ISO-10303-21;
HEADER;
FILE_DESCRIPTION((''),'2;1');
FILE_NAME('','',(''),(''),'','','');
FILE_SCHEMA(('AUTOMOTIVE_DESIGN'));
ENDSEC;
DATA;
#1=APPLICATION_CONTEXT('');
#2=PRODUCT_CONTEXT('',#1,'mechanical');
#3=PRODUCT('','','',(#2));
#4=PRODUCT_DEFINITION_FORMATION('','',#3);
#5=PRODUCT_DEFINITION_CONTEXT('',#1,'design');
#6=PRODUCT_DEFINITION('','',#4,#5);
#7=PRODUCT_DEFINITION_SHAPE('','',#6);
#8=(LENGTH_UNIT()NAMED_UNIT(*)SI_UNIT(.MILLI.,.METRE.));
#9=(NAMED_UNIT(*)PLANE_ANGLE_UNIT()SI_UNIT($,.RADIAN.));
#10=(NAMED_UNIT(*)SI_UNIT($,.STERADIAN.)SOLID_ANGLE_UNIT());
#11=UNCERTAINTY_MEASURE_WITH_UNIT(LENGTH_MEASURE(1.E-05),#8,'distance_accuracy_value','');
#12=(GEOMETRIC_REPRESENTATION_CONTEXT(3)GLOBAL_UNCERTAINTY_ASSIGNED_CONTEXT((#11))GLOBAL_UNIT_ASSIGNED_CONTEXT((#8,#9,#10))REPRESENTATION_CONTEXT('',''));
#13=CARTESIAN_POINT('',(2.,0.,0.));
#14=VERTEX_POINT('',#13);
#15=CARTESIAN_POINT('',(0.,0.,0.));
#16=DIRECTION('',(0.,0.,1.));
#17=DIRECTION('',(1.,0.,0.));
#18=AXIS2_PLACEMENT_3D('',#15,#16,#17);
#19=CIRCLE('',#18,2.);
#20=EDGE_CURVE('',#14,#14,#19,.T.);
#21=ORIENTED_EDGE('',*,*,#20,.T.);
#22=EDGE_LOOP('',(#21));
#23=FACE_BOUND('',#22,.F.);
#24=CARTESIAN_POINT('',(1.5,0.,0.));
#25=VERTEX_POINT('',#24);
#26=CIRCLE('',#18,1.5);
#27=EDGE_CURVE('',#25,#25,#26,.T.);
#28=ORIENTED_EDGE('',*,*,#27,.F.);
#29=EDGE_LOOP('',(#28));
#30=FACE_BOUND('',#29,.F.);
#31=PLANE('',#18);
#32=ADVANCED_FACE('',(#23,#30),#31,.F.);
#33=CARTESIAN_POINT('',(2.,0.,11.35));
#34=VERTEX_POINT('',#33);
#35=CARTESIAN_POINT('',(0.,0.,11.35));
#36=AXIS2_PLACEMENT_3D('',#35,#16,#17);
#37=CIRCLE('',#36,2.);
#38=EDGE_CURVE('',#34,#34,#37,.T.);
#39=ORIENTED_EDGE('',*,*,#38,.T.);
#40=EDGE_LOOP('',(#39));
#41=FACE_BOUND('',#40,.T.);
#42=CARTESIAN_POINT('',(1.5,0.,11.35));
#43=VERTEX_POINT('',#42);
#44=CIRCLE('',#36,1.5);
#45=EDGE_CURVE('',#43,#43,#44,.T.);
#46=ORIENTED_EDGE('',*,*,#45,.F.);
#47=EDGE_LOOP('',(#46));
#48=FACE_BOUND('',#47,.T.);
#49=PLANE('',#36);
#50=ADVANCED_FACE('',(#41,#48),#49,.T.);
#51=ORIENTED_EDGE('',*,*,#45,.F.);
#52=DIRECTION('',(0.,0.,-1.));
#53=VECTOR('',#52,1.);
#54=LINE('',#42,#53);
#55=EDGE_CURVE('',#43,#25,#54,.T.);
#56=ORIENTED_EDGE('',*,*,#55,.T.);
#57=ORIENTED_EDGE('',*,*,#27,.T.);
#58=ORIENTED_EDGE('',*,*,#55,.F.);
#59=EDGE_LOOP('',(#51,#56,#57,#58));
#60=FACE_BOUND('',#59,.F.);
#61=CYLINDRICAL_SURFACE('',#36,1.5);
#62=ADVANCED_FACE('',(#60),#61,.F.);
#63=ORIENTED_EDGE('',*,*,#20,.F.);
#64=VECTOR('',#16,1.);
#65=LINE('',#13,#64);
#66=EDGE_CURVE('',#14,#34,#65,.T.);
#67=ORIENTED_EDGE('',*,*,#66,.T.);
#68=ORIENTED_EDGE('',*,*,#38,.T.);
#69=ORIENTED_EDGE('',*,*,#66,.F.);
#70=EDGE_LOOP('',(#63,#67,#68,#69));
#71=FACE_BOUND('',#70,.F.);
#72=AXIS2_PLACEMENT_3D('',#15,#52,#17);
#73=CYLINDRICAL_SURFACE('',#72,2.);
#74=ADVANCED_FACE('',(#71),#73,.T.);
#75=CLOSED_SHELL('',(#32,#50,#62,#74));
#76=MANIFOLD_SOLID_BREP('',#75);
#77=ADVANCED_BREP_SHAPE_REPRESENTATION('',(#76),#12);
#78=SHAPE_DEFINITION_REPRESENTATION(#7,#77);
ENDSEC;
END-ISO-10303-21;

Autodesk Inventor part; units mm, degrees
ref_plane "YZ Plane" through (0, 0, 0) normal (1, 0, 0) x (0, 1, 0)
ref_plane "XZ Plane" through (0, 0, 0) normal (0, 1, 0) x (-1, 0, 0)
ref_plane "XY Plane" through (0, 0, 0) normal (0, 0, 1) x (1, 0, 0)
sketch "スケッチ1" plane through (0, 0, 0) normal (0, 0, 1) x (1, 0, 0)
  circle A0 centre (0, 0) radius 2
  dimension "d0" = 4
extrude "押し出し1" add sketch "スケッチ1" along normal blind 11.35
sketch "スケッチ2" plane through (0, 0, 11.35) normal (0, 0, 1) x (1, 0, 0)
  circle A0 centre (0, 0) radius 1.5
  dimension "d3" = 3
extrude "押し出し2" cut sketch "スケッチ2" against normal blind 11.35
thread "ねじ1" size "M3x0.5" class "6H" standard "ANSI Metric M Profile" full length
properties part number "shaft_11.35mm" material "アルミニウム 6061"
